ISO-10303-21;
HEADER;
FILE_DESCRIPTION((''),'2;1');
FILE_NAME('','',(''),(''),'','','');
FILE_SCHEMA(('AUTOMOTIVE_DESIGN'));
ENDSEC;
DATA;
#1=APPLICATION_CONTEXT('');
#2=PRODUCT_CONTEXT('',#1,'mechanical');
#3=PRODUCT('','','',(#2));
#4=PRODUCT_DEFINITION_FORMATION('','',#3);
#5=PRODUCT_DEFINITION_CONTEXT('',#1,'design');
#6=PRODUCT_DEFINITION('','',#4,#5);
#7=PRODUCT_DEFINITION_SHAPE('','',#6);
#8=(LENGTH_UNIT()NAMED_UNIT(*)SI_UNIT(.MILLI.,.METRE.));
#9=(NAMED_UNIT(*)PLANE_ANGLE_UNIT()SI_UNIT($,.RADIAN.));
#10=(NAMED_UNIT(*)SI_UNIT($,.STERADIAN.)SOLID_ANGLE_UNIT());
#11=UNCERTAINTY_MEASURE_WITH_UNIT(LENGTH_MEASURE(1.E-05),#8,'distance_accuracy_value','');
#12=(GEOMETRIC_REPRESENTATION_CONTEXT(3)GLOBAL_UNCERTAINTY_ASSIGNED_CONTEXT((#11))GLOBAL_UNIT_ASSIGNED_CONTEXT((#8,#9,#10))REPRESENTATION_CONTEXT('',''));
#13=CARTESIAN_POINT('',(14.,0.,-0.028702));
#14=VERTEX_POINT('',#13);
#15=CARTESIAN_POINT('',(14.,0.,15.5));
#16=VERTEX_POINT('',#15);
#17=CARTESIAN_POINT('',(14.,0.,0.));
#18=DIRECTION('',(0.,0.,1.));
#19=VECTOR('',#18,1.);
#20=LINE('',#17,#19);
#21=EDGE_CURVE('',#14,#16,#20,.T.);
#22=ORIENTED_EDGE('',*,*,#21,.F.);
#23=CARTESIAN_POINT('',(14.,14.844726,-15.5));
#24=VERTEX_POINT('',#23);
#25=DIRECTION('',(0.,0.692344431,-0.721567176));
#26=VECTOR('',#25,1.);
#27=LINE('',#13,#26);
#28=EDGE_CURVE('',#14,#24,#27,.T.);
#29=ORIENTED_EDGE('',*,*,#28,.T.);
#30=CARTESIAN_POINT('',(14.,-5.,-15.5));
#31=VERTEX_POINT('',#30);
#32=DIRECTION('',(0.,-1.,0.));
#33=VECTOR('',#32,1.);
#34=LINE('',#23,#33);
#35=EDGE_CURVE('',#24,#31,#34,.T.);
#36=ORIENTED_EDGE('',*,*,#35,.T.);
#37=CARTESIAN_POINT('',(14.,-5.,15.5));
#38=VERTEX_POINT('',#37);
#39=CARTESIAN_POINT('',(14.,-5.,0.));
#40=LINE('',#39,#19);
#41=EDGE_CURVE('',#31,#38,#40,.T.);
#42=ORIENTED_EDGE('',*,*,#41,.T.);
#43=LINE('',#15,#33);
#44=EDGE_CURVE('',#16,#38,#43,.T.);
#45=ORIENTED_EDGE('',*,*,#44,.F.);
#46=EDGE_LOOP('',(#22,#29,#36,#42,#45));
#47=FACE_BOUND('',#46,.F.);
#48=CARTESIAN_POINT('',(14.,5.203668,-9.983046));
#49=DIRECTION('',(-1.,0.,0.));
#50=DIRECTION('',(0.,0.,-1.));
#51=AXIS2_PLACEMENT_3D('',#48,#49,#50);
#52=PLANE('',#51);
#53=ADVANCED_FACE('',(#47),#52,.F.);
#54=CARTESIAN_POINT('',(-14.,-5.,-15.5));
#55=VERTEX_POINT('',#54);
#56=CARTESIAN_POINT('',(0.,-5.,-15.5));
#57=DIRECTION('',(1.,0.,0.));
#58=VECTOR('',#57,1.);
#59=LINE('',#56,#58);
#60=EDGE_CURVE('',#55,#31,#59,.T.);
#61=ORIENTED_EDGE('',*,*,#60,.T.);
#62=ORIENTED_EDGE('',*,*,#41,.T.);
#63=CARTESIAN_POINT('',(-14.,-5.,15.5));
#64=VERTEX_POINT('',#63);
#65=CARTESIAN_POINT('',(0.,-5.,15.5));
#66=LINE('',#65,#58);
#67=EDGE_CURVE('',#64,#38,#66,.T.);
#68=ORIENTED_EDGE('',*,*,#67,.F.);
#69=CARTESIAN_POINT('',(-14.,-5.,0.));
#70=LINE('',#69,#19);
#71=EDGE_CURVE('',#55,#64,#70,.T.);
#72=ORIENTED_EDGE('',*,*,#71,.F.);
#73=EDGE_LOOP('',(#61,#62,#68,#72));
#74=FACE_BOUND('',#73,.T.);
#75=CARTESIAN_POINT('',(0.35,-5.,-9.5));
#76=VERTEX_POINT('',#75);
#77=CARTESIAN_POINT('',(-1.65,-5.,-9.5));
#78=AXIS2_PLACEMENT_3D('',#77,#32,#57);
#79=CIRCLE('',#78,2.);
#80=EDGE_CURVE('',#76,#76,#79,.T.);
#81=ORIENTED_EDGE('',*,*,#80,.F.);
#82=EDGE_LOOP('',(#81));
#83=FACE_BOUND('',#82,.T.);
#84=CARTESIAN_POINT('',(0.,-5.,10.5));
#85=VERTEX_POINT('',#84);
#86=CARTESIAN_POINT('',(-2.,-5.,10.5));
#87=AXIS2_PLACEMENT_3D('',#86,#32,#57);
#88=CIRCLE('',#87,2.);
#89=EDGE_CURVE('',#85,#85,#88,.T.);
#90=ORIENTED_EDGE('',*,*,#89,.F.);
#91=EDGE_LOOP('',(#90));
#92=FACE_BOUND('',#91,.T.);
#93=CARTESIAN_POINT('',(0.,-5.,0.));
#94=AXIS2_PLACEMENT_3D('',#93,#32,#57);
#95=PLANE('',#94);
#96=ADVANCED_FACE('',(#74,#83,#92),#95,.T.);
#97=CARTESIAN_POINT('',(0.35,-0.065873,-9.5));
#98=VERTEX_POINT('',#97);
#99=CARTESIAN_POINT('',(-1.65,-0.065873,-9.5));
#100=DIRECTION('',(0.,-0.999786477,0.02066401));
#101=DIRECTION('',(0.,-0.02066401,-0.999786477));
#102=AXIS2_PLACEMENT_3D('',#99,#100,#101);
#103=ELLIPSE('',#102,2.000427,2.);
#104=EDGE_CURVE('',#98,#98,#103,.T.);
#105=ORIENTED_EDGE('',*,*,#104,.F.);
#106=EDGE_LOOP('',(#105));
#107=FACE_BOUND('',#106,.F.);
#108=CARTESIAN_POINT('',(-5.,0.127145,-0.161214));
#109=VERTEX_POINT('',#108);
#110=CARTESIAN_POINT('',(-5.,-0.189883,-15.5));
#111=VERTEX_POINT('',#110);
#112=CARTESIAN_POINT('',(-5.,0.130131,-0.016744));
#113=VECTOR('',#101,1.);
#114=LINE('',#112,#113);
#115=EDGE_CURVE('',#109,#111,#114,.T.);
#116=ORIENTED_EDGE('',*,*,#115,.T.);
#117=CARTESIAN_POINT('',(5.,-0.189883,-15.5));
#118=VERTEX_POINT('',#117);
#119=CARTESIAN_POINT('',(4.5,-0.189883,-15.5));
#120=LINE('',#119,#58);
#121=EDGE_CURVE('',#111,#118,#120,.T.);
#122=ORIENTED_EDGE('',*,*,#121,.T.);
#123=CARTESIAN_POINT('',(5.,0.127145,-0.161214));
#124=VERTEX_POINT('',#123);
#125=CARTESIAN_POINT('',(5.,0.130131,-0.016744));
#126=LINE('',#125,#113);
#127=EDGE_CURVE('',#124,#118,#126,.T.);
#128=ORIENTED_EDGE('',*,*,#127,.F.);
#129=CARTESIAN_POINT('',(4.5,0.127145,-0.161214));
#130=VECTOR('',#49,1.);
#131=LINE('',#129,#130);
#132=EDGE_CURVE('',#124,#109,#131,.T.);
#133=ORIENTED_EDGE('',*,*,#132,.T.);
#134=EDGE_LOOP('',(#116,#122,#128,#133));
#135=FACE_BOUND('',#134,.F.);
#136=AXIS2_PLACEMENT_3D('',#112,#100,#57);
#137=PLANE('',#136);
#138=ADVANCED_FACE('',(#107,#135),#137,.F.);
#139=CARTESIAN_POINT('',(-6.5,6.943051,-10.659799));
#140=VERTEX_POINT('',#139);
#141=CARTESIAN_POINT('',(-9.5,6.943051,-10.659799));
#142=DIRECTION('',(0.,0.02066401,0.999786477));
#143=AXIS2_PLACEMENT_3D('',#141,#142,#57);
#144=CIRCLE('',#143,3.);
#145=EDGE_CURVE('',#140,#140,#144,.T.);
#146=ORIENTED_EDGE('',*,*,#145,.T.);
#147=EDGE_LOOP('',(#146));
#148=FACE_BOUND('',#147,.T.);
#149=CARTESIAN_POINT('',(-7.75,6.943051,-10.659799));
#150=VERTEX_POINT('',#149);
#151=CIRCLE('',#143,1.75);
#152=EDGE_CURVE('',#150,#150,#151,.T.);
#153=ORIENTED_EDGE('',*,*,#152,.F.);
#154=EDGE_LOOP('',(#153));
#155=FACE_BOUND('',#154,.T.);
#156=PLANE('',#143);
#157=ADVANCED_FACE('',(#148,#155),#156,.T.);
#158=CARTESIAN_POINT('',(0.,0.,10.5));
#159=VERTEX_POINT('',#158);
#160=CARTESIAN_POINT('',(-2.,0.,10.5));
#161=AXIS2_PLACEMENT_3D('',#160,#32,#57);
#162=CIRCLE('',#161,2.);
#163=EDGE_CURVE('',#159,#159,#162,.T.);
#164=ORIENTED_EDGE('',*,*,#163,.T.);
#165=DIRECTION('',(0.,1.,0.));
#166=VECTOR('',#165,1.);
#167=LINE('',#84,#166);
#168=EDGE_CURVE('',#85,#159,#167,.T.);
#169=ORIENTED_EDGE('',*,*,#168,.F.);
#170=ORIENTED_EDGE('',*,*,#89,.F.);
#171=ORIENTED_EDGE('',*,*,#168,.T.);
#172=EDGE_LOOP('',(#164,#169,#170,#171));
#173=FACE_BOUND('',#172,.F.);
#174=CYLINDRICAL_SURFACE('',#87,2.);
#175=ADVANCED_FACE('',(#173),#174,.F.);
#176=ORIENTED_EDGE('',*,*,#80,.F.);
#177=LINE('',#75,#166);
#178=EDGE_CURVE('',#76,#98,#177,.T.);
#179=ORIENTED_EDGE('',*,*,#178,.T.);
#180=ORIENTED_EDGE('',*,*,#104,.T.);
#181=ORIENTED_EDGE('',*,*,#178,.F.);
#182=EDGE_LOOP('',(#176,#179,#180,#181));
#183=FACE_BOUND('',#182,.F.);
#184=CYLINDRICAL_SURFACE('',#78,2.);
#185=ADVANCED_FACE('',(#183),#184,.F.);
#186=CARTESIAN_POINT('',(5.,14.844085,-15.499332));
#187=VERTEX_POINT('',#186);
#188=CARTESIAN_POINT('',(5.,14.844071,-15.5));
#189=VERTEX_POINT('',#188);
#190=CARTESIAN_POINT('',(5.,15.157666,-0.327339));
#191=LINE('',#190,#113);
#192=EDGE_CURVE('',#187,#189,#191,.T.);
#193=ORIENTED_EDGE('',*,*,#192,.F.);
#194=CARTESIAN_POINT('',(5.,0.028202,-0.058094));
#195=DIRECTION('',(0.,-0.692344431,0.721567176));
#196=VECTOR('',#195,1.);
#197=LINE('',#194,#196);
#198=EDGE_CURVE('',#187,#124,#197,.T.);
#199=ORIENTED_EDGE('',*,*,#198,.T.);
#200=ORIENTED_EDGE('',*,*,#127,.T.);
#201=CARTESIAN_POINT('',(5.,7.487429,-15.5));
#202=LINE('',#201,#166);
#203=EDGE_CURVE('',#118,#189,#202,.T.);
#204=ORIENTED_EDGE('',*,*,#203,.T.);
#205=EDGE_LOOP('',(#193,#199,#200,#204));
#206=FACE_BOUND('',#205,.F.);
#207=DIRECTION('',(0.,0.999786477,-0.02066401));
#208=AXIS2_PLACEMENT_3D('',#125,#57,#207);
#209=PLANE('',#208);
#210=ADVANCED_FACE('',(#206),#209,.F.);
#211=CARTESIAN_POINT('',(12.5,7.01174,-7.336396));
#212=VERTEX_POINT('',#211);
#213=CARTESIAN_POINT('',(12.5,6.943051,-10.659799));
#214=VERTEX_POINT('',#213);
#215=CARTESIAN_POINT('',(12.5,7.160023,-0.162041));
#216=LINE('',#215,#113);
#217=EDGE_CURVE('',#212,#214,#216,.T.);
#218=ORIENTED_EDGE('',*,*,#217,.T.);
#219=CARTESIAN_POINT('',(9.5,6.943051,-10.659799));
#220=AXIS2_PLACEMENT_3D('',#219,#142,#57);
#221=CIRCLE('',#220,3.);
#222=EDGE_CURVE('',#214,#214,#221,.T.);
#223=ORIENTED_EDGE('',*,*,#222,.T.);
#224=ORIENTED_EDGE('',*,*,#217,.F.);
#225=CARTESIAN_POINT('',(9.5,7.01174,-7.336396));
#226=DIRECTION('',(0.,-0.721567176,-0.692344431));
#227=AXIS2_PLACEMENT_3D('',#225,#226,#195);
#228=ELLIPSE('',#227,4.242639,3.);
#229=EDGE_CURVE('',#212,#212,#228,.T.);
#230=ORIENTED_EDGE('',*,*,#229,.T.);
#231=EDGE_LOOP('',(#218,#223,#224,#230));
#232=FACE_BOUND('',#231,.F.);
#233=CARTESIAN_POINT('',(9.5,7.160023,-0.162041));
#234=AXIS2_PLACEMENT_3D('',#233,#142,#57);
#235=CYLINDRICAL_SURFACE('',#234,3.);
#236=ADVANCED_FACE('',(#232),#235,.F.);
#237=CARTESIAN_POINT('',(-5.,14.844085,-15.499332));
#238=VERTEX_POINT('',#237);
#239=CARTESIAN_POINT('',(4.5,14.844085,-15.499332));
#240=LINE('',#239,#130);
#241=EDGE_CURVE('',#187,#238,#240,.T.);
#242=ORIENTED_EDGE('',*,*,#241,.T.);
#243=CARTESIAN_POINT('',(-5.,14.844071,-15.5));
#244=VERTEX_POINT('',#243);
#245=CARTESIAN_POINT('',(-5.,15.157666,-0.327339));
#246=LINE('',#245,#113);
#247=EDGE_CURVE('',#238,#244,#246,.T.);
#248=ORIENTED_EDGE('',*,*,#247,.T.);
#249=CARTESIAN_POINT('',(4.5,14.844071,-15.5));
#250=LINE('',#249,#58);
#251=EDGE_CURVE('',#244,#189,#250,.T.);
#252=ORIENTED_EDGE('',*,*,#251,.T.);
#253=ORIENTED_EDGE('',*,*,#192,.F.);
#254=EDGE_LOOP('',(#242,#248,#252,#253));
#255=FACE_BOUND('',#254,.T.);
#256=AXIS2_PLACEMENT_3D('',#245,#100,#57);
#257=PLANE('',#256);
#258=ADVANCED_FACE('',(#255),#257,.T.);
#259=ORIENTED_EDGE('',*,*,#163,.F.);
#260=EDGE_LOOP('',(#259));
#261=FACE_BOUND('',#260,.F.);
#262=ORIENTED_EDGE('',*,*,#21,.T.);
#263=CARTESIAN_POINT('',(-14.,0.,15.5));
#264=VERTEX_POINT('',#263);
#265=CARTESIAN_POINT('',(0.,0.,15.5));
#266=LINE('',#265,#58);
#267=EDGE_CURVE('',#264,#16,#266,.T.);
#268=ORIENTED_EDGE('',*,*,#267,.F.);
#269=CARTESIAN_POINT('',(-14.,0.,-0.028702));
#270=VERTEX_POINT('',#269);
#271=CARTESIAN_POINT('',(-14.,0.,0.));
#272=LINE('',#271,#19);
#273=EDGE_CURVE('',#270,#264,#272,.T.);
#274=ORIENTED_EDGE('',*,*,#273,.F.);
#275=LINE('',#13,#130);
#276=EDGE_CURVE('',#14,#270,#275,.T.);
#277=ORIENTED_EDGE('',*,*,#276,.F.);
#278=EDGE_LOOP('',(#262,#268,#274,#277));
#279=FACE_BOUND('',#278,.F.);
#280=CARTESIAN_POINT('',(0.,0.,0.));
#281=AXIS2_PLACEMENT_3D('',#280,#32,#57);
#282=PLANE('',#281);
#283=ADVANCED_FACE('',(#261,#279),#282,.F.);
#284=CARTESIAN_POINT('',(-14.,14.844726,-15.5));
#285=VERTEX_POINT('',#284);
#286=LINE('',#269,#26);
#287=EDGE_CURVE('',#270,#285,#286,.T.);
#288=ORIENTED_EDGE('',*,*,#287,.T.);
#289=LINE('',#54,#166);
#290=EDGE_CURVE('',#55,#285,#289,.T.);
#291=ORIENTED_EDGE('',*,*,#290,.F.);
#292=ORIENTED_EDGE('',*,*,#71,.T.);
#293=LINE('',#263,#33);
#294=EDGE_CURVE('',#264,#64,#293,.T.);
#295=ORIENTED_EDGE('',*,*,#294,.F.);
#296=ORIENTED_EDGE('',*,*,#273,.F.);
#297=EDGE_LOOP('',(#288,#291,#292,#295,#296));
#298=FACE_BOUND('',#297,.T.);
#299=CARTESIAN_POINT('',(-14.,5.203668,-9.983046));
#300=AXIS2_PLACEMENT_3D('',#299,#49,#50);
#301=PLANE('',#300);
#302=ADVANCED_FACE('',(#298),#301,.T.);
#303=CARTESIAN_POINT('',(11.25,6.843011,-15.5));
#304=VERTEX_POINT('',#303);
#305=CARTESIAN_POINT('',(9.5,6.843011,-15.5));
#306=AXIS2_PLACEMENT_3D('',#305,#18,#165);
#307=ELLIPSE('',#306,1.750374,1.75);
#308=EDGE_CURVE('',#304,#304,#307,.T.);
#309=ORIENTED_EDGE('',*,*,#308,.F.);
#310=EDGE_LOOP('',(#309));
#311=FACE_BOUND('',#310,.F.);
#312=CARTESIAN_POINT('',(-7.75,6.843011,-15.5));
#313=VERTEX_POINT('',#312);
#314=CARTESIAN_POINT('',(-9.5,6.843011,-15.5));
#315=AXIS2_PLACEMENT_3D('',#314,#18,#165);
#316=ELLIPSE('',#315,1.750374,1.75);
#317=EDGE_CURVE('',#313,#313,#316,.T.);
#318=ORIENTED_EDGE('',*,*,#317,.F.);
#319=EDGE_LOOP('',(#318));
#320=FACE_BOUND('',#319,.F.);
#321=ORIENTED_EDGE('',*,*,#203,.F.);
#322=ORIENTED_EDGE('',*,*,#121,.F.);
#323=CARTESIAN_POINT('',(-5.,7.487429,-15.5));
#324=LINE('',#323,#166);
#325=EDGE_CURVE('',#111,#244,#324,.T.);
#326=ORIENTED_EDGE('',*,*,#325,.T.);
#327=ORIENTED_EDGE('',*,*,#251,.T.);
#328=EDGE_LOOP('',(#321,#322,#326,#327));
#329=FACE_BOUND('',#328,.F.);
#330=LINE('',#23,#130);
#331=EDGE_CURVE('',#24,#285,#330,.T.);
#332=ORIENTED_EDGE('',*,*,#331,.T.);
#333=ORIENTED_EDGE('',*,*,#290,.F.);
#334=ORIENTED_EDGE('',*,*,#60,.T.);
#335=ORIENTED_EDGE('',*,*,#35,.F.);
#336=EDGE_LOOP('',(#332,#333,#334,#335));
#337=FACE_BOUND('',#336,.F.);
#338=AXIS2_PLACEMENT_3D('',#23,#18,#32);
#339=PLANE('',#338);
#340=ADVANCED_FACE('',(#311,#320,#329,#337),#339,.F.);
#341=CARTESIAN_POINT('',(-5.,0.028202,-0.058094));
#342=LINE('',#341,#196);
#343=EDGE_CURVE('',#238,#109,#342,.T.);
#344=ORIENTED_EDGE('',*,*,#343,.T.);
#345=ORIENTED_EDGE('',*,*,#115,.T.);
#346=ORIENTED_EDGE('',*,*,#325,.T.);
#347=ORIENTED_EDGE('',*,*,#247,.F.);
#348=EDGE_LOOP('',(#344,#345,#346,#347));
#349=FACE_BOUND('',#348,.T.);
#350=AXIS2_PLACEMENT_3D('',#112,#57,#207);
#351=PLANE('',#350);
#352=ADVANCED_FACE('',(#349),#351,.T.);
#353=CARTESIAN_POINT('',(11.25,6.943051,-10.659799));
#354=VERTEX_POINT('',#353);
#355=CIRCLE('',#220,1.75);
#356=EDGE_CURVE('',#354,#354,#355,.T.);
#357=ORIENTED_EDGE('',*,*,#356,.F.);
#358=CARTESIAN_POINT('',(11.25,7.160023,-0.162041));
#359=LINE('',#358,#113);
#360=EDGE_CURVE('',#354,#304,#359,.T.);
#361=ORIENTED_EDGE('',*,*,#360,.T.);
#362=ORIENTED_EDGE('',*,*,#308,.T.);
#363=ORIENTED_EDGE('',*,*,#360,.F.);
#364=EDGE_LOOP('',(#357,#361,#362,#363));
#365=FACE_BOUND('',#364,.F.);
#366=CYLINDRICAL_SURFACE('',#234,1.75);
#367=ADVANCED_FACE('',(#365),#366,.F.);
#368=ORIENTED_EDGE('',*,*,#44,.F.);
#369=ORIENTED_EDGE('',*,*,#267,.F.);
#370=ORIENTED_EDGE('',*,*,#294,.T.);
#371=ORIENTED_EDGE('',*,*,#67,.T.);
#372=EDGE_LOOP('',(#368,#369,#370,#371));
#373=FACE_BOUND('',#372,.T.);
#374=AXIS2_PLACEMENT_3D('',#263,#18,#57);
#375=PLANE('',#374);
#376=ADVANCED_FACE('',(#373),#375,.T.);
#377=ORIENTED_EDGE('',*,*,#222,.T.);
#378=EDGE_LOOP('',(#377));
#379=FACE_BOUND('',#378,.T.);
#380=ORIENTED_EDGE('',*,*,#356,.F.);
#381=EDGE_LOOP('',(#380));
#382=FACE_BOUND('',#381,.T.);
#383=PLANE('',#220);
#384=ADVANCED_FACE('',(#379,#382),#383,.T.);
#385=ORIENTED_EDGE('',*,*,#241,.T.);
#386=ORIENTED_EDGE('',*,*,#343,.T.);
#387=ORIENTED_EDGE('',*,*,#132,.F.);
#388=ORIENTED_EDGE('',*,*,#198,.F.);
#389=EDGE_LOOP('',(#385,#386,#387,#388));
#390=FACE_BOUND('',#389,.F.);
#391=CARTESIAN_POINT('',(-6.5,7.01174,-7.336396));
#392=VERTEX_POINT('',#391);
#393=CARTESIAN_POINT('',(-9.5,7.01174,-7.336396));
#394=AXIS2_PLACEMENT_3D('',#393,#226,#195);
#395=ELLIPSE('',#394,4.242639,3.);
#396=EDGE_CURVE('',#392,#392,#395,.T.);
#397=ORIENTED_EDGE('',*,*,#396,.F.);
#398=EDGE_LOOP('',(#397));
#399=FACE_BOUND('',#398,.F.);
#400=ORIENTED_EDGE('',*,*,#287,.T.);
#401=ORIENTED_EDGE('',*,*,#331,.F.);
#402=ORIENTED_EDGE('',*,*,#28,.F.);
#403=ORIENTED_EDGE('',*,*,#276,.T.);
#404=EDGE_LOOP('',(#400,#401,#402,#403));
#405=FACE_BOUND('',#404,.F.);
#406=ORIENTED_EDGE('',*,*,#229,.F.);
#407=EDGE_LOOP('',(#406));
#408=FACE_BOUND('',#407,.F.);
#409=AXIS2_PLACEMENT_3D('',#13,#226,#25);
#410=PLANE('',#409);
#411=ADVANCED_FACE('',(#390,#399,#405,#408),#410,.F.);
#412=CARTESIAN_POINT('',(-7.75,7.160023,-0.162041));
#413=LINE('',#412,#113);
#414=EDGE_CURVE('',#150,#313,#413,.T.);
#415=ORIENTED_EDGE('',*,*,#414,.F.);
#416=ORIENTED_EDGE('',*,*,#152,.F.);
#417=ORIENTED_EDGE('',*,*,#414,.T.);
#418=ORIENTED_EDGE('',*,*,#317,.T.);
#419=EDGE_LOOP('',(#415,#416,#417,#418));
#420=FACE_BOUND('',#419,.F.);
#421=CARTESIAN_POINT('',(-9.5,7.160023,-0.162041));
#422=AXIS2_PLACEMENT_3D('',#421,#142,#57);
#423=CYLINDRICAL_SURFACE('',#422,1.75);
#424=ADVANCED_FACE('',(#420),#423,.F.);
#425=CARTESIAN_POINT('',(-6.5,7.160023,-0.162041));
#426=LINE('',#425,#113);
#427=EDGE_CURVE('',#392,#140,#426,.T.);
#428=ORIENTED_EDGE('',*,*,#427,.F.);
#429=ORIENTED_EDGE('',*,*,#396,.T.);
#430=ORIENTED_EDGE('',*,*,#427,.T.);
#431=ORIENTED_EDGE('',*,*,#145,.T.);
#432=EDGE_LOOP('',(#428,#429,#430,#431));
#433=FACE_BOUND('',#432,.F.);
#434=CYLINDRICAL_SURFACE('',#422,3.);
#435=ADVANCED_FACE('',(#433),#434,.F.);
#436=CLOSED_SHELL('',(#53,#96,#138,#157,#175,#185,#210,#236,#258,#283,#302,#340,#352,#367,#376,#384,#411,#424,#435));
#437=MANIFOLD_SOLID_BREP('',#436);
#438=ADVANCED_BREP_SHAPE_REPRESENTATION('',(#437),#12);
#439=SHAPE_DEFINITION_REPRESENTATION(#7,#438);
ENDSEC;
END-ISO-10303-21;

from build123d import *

# Parameters (mm, degrees)
SKETCH_W        = 28
SKETCH_H        = 31
PAD_DEPTH       = 5
PAD001_DEPTH    = 28
SKETCH003_W     = 10
SKETCH003_H     = 15.030744
POCKET001_DEPTH = 15.586957
SKETCH005_R     = 3
POCKET_DEPTH    = 10.5
SKETCH006_R     = 1.75
POCKET003_DEPTH = 15.586957
SKETCH007_R     = 2
POCKET004_DEPTH = 5


with BuildPart() as part:
    # Sketch → Pad (new body)
    with BuildSketch(Plane.XZ):
        Rectangle(SKETCH_W, SKETCH_H)
    extrude(amount=PAD_DEPTH)

    # Sketch002 → Pad001 (join)
    with BuildSketch(Plane(origin=(14, 0, 0), x_dir=(0, 0, 1), z_dir=(1, 0, 0))):
        Polygon((-15.5, 0), (-0.028702, 0), (-15.5, -14.844726), align=None)
    extrude(amount=-PAD001_DEPTH)

    # Sketch003 (on DatumPlane) → Pocket001 (cut, through all)
    with BuildSketch(Plane(origin=(0, -0.014339, -0.013758), x_dir=(1, 0, 0), z_dir=(0, 0.020664, 0.999786))):
        with Locations((0, 7.659873)):
            Rectangle(SKETCH003_W, SKETCH003_H)
    extrude(amount=-POCKET001_DEPTH, mode=Mode.SUBTRACT)

    # Sketch005 (on DatumPlane) → Pocket (cut)
    with BuildSketch(Plane(origin=(0, -0.014339, -0.013758), x_dir=(1, 0, 0), z_dir=(0, 0.020664, 0.999786))):
        with Locations((-9.5, 7.175894)):
            Circle(SKETCH005_R)
        with Locations((9.5, 7.175894)):
            Circle(SKETCH005_R)
    extrude(amount=-POCKET_DEPTH, mode=Mode.SUBTRACT)

    # Sketch006 (on DatumPlane) → Pocket003 (cut, through all)
    with BuildSketch(Plane(origin=(0, -0.014339, -0.013758), x_dir=(1, 0, 0), z_dir=(0, 0.020664, 0.999786))):
        with Locations((-9.5, 7.175894)):
            Circle(SKETCH006_R)
        with Locations((9.5, 7.175894)):
            Circle(SKETCH006_R)
    extrude(amount=-POCKET003_DEPTH, mode=Mode.SUBTRACT)

    # Sketch007 (on DatumPlane) → Pocket004 (cut)
    with BuildSketch(Plane.XZ.offset(5)):
        with Locations((-1.65, -9.5)):
            Circle(SKETCH007_R)
        with Locations((-2, 10.5)):
            Circle(SKETCH007_R)
    extrude(amount=-POCKET004_DEPTH, mode=Mode.SUBTRACT)


solid = part.part
